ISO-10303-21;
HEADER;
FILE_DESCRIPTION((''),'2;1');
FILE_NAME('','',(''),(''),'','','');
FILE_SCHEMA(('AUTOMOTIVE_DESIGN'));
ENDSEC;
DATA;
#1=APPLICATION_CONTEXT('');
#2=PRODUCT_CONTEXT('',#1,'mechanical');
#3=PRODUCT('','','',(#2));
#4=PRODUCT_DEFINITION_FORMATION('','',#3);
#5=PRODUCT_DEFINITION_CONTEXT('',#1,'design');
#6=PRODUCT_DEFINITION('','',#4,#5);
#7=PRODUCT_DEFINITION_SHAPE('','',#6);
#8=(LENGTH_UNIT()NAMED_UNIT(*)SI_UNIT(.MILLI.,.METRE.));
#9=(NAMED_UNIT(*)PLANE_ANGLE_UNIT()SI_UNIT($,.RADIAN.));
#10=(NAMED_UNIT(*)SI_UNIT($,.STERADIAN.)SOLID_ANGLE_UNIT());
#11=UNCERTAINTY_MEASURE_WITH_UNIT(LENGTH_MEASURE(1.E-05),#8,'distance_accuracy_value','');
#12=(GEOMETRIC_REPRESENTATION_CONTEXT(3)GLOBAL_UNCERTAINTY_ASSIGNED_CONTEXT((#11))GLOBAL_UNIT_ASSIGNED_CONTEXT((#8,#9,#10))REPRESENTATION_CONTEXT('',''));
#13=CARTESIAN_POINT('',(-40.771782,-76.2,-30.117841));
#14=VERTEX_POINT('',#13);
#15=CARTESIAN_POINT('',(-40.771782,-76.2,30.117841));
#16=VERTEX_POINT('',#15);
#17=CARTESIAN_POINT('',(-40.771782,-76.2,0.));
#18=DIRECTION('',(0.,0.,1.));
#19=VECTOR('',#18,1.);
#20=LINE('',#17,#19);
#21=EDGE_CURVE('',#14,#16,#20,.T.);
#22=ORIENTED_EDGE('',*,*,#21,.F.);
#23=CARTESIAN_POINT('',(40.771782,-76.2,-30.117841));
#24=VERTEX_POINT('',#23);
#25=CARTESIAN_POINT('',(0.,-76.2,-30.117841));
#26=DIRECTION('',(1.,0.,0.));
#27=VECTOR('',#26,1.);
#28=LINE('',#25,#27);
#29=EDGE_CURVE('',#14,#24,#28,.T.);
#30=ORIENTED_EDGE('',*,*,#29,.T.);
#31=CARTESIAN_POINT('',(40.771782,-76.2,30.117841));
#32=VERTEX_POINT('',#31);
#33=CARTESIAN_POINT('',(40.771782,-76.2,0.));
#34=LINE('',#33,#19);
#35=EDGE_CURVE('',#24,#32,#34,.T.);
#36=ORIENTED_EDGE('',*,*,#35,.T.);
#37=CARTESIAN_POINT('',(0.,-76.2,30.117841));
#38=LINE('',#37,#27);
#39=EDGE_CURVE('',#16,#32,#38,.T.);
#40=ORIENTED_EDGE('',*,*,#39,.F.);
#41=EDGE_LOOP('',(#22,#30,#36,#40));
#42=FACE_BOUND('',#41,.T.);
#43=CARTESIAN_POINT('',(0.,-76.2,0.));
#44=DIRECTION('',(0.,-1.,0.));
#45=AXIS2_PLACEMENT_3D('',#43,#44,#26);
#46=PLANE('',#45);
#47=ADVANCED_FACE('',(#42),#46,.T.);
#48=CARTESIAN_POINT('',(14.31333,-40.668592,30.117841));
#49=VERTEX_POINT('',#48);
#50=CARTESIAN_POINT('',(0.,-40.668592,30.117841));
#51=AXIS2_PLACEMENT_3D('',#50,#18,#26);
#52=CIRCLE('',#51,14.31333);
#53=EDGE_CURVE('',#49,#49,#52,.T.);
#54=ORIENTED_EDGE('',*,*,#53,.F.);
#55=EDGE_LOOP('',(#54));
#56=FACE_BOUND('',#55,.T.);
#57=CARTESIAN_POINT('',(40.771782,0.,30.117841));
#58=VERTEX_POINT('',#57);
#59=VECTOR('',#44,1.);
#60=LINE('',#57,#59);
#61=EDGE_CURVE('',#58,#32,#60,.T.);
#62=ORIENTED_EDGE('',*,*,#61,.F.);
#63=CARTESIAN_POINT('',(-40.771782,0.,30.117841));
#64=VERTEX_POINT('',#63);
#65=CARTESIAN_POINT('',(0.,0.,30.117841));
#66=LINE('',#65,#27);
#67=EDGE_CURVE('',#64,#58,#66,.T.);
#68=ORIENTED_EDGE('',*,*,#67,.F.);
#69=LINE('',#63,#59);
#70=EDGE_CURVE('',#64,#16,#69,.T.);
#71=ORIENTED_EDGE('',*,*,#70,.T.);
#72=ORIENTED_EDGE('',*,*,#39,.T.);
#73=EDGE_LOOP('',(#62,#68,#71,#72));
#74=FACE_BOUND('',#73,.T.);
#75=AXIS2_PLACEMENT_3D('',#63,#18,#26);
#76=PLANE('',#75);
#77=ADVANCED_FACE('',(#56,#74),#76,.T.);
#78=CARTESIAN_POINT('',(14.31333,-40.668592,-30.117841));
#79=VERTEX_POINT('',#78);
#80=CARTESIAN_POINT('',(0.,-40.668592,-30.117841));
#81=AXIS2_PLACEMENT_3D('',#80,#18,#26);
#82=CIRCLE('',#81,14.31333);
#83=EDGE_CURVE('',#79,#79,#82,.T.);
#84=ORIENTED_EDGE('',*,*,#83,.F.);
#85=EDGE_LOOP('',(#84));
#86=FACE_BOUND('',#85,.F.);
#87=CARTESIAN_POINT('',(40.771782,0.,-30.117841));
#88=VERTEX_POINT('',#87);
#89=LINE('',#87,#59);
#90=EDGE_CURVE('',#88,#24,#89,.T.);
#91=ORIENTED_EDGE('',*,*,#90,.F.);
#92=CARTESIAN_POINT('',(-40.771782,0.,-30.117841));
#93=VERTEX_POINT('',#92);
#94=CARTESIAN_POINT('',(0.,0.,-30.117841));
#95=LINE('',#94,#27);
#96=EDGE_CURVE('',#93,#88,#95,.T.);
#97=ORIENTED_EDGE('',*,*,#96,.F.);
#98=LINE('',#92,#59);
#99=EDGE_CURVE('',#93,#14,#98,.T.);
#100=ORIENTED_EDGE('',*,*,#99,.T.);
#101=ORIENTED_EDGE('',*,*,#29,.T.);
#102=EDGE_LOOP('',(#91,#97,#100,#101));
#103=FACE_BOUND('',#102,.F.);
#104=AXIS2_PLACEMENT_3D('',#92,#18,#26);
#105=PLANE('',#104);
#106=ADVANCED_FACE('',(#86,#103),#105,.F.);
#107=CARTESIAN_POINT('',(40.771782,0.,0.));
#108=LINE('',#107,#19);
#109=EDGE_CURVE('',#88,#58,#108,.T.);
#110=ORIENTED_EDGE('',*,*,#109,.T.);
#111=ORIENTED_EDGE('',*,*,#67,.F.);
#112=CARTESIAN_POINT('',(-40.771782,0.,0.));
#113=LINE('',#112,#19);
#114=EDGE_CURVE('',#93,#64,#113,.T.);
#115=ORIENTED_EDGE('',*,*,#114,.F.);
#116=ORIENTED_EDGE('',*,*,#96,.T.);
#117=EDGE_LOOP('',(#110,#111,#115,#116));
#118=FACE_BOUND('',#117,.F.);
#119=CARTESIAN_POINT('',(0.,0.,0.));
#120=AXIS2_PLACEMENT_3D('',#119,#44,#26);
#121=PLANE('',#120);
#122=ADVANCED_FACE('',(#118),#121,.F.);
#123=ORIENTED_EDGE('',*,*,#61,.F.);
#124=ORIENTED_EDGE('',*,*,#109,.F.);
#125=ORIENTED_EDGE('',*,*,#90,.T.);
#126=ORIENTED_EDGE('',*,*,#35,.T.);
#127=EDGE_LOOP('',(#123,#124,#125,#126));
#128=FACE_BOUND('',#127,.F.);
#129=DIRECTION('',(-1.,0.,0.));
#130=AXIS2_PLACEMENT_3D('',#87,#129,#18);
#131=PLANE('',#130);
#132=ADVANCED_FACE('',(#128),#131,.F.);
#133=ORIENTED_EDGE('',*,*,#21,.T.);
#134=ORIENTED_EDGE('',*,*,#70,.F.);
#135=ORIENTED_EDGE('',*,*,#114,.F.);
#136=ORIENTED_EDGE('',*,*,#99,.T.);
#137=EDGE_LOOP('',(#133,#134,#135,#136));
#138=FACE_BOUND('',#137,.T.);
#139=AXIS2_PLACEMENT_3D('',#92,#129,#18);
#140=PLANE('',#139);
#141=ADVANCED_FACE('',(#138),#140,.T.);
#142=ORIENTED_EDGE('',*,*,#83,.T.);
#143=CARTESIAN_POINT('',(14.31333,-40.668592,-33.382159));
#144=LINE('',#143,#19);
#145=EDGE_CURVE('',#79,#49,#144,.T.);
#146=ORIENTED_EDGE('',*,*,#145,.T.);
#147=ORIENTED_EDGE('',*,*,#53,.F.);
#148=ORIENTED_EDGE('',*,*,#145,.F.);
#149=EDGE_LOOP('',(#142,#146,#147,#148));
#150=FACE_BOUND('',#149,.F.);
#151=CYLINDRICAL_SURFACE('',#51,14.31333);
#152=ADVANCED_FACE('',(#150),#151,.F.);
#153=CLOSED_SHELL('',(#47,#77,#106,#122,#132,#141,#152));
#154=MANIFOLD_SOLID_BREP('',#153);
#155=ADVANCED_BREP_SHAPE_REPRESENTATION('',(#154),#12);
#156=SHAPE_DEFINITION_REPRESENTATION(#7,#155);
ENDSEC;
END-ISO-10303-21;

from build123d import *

# Parameters (mm, degrees)
F0_W     = 81.543564
F0_H     = 60.235682
F1_DEPTH = 76.2
F2_R     = 14.31333
F3_DEPTH = 63.5


with BuildPart() as f1:
    # F0 (on Front) → F1 (new body)
    with BuildSketch(Plane.XZ):
        Rectangle(F0_W, F0_H)
    extrude(amount=F1_DEPTH)

    # F2 (on face) → F3 (cut, symmetric)
    with BuildSketch(Plane.XY.offset(30.117841)):
        with Locations((0, -40.668592)):
            Circle(F2_R)
    extrude(amount=F3_DEPTH, both=True, mode=Mode.SUBTRACT)


solid = f1.part
